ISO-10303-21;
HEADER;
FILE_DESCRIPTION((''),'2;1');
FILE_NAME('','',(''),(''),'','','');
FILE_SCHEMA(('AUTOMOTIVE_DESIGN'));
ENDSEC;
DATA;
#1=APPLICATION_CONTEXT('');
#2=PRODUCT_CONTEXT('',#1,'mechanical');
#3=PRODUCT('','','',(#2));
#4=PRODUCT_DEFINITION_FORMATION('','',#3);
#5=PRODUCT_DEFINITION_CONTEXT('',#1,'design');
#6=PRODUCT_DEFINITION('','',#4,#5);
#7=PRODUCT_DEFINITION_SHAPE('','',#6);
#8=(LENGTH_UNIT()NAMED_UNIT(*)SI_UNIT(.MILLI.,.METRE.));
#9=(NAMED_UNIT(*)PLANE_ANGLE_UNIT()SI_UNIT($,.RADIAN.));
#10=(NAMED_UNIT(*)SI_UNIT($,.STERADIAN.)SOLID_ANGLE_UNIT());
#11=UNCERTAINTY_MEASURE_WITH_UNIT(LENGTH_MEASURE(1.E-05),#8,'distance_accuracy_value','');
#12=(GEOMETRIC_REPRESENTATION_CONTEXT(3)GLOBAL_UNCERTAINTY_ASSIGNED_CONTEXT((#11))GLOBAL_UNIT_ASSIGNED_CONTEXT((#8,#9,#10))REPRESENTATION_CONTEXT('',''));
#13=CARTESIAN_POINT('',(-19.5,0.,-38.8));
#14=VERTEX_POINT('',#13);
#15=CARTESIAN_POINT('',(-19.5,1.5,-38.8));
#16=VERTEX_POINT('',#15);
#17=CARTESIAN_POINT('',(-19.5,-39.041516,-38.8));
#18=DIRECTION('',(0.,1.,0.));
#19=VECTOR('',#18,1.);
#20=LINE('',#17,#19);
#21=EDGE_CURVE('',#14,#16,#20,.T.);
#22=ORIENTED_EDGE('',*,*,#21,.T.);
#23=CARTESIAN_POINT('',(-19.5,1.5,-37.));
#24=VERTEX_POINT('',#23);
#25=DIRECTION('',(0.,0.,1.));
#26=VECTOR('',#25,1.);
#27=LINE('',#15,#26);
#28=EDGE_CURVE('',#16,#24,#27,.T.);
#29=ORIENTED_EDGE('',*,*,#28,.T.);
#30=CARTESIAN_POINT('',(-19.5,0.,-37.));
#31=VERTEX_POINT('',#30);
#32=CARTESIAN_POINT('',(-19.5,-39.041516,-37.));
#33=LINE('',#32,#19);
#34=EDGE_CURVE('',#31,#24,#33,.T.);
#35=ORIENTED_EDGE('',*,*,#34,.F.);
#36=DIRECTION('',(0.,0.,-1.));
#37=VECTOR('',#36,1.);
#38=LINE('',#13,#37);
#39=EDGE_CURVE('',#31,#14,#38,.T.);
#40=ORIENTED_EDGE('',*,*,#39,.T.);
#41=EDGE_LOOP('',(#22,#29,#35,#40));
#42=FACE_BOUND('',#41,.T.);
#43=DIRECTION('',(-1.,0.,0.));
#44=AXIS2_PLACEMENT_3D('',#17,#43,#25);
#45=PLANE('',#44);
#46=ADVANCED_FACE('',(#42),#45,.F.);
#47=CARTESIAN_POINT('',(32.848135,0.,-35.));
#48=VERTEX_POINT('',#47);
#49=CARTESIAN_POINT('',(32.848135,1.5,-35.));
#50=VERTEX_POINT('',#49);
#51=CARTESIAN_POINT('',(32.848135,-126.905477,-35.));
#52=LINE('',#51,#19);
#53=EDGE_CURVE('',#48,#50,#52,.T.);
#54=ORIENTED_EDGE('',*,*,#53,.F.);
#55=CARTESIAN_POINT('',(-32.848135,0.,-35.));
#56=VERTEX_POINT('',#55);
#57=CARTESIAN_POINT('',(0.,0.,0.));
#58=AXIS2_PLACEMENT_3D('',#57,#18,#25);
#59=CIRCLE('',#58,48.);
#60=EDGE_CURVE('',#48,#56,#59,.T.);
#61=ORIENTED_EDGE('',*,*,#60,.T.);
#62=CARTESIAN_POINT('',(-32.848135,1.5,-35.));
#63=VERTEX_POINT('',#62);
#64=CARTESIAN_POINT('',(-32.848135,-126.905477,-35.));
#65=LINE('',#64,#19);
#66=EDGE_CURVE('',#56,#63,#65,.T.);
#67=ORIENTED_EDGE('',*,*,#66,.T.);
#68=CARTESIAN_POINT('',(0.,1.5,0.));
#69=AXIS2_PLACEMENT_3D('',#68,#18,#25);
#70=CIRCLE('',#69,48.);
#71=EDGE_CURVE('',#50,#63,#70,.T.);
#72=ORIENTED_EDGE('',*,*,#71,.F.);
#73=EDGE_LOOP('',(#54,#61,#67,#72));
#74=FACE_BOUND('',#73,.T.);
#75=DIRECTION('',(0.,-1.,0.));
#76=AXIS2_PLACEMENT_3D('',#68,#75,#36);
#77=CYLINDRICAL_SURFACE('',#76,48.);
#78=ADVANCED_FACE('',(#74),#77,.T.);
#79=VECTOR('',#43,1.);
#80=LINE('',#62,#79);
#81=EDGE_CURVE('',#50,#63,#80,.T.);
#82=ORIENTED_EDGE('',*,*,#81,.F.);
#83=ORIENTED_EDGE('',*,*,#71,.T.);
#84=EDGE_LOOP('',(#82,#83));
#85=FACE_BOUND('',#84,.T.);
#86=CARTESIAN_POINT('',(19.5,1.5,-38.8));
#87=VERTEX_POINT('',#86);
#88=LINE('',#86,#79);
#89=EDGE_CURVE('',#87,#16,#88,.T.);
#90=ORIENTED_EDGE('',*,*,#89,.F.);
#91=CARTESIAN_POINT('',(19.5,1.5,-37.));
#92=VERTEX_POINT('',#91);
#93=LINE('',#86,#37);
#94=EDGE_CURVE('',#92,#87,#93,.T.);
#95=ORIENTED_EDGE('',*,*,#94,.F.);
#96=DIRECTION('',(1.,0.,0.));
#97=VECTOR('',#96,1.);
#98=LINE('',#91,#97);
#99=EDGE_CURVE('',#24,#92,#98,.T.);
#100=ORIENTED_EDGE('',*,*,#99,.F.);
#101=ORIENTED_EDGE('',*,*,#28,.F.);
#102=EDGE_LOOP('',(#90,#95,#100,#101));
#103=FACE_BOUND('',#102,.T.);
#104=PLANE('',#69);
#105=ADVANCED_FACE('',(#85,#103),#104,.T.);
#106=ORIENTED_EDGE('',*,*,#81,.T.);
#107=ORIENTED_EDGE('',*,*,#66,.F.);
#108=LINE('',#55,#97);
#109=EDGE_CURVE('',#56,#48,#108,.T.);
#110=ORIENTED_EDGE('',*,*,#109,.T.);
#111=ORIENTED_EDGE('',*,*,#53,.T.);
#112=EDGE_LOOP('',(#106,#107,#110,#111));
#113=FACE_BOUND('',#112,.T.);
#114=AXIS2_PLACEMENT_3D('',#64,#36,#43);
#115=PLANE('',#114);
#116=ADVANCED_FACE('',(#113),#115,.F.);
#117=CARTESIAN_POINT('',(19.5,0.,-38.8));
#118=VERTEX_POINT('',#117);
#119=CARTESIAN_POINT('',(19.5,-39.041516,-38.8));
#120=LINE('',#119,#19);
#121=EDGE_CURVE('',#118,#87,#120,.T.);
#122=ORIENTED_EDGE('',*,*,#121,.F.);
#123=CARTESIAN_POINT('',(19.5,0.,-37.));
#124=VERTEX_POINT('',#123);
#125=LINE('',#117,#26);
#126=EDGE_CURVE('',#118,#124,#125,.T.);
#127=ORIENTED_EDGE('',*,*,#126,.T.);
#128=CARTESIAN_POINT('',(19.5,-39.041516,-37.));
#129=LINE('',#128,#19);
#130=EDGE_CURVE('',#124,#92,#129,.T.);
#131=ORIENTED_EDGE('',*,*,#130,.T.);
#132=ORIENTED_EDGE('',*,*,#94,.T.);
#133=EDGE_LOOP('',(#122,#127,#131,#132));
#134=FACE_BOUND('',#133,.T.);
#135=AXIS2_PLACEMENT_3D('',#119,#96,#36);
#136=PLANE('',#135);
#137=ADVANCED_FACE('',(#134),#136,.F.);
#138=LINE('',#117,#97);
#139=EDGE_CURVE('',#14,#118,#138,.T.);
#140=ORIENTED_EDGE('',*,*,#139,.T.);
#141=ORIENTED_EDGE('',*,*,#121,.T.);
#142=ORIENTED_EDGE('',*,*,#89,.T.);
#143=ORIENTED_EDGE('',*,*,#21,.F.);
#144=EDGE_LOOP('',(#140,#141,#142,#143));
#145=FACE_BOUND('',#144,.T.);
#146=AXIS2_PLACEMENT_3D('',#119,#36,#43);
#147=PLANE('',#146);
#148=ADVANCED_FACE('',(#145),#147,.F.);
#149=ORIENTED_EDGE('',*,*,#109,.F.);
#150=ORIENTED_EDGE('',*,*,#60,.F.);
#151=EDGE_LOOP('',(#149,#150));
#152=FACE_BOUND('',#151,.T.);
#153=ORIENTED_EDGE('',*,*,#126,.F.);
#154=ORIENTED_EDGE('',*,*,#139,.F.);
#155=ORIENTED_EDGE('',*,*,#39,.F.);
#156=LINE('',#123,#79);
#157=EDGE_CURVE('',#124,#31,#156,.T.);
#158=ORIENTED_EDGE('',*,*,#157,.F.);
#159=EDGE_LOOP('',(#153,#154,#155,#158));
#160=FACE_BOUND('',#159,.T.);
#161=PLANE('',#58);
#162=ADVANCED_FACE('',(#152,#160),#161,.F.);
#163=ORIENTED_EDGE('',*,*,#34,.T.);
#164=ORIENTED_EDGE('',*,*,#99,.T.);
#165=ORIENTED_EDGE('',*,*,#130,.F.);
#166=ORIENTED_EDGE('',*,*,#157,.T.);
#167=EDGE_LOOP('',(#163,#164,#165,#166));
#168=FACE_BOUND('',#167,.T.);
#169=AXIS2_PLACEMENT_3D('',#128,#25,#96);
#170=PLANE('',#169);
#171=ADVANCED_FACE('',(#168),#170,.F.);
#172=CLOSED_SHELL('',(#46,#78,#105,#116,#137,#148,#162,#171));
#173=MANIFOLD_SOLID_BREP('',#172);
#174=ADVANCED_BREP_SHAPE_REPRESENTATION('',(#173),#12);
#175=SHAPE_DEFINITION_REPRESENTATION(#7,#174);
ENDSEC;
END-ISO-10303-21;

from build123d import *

# Parameters (mm, degrees)
SKETCH1_R           = 48
BOSS_EXTRUDE1_DEPTH = 1.5
CUT_EXTRUDE1_START  = -1.5
CUT_EXTRUDE1_DEPTH  = 1.5
SKETCH3_W           = 39
SKETCH3_H           = 1.8
CUT_EXTRUDE2_DEPTH  = 1.5


with BuildPart() as part:
    # Sketch1 → Boss-Extrude1 (new body)
    with BuildSketch(Plane(origin=(0, 0, 0), x_dir=(1, 0, 0), z_dir=(0, 1, 0))):
        with Locations(Location((0, 0, 0), (0, 0, 270))):
            Circle(SKETCH1_R)
    extrude(amount=BOSS_EXTRUDE1_DEPTH)

    # Sketch2 → Cut-Extrude1 (cut)
    with BuildSketch(Plane(origin=(0, 1.5, 0), x_dir=(1, 0, 0), z_dir=(0, 1, 0)).offset(CUT_EXTRUDE1_START)):
        with BuildLine():
            Line((-32.848135411, 35), (32.848135411, 35))
            ThreePointArc((32.848135411, 35), (0, -48), (-32.848135411, 35))
        make_face()
    extrude(amount=CUT_EXTRUDE1_DEPTH, mode=Mode.SUBTRACT)

    # Sketch3 → Cut-Extrude2 (cut)
    with BuildSketch(Plane(origin=(0, 1.5, 0), x_dir=(1, 0, 0), z_dir=(0, 1, 0))):
        with Locations((0, 37.9)):
            Rectangle(SKETCH3_W, SKETCH3_H)
    extrude(amount=-CUT_EXTRUDE2_DEPTH, mode=Mode.SUBTRACT)


solid = part.part
